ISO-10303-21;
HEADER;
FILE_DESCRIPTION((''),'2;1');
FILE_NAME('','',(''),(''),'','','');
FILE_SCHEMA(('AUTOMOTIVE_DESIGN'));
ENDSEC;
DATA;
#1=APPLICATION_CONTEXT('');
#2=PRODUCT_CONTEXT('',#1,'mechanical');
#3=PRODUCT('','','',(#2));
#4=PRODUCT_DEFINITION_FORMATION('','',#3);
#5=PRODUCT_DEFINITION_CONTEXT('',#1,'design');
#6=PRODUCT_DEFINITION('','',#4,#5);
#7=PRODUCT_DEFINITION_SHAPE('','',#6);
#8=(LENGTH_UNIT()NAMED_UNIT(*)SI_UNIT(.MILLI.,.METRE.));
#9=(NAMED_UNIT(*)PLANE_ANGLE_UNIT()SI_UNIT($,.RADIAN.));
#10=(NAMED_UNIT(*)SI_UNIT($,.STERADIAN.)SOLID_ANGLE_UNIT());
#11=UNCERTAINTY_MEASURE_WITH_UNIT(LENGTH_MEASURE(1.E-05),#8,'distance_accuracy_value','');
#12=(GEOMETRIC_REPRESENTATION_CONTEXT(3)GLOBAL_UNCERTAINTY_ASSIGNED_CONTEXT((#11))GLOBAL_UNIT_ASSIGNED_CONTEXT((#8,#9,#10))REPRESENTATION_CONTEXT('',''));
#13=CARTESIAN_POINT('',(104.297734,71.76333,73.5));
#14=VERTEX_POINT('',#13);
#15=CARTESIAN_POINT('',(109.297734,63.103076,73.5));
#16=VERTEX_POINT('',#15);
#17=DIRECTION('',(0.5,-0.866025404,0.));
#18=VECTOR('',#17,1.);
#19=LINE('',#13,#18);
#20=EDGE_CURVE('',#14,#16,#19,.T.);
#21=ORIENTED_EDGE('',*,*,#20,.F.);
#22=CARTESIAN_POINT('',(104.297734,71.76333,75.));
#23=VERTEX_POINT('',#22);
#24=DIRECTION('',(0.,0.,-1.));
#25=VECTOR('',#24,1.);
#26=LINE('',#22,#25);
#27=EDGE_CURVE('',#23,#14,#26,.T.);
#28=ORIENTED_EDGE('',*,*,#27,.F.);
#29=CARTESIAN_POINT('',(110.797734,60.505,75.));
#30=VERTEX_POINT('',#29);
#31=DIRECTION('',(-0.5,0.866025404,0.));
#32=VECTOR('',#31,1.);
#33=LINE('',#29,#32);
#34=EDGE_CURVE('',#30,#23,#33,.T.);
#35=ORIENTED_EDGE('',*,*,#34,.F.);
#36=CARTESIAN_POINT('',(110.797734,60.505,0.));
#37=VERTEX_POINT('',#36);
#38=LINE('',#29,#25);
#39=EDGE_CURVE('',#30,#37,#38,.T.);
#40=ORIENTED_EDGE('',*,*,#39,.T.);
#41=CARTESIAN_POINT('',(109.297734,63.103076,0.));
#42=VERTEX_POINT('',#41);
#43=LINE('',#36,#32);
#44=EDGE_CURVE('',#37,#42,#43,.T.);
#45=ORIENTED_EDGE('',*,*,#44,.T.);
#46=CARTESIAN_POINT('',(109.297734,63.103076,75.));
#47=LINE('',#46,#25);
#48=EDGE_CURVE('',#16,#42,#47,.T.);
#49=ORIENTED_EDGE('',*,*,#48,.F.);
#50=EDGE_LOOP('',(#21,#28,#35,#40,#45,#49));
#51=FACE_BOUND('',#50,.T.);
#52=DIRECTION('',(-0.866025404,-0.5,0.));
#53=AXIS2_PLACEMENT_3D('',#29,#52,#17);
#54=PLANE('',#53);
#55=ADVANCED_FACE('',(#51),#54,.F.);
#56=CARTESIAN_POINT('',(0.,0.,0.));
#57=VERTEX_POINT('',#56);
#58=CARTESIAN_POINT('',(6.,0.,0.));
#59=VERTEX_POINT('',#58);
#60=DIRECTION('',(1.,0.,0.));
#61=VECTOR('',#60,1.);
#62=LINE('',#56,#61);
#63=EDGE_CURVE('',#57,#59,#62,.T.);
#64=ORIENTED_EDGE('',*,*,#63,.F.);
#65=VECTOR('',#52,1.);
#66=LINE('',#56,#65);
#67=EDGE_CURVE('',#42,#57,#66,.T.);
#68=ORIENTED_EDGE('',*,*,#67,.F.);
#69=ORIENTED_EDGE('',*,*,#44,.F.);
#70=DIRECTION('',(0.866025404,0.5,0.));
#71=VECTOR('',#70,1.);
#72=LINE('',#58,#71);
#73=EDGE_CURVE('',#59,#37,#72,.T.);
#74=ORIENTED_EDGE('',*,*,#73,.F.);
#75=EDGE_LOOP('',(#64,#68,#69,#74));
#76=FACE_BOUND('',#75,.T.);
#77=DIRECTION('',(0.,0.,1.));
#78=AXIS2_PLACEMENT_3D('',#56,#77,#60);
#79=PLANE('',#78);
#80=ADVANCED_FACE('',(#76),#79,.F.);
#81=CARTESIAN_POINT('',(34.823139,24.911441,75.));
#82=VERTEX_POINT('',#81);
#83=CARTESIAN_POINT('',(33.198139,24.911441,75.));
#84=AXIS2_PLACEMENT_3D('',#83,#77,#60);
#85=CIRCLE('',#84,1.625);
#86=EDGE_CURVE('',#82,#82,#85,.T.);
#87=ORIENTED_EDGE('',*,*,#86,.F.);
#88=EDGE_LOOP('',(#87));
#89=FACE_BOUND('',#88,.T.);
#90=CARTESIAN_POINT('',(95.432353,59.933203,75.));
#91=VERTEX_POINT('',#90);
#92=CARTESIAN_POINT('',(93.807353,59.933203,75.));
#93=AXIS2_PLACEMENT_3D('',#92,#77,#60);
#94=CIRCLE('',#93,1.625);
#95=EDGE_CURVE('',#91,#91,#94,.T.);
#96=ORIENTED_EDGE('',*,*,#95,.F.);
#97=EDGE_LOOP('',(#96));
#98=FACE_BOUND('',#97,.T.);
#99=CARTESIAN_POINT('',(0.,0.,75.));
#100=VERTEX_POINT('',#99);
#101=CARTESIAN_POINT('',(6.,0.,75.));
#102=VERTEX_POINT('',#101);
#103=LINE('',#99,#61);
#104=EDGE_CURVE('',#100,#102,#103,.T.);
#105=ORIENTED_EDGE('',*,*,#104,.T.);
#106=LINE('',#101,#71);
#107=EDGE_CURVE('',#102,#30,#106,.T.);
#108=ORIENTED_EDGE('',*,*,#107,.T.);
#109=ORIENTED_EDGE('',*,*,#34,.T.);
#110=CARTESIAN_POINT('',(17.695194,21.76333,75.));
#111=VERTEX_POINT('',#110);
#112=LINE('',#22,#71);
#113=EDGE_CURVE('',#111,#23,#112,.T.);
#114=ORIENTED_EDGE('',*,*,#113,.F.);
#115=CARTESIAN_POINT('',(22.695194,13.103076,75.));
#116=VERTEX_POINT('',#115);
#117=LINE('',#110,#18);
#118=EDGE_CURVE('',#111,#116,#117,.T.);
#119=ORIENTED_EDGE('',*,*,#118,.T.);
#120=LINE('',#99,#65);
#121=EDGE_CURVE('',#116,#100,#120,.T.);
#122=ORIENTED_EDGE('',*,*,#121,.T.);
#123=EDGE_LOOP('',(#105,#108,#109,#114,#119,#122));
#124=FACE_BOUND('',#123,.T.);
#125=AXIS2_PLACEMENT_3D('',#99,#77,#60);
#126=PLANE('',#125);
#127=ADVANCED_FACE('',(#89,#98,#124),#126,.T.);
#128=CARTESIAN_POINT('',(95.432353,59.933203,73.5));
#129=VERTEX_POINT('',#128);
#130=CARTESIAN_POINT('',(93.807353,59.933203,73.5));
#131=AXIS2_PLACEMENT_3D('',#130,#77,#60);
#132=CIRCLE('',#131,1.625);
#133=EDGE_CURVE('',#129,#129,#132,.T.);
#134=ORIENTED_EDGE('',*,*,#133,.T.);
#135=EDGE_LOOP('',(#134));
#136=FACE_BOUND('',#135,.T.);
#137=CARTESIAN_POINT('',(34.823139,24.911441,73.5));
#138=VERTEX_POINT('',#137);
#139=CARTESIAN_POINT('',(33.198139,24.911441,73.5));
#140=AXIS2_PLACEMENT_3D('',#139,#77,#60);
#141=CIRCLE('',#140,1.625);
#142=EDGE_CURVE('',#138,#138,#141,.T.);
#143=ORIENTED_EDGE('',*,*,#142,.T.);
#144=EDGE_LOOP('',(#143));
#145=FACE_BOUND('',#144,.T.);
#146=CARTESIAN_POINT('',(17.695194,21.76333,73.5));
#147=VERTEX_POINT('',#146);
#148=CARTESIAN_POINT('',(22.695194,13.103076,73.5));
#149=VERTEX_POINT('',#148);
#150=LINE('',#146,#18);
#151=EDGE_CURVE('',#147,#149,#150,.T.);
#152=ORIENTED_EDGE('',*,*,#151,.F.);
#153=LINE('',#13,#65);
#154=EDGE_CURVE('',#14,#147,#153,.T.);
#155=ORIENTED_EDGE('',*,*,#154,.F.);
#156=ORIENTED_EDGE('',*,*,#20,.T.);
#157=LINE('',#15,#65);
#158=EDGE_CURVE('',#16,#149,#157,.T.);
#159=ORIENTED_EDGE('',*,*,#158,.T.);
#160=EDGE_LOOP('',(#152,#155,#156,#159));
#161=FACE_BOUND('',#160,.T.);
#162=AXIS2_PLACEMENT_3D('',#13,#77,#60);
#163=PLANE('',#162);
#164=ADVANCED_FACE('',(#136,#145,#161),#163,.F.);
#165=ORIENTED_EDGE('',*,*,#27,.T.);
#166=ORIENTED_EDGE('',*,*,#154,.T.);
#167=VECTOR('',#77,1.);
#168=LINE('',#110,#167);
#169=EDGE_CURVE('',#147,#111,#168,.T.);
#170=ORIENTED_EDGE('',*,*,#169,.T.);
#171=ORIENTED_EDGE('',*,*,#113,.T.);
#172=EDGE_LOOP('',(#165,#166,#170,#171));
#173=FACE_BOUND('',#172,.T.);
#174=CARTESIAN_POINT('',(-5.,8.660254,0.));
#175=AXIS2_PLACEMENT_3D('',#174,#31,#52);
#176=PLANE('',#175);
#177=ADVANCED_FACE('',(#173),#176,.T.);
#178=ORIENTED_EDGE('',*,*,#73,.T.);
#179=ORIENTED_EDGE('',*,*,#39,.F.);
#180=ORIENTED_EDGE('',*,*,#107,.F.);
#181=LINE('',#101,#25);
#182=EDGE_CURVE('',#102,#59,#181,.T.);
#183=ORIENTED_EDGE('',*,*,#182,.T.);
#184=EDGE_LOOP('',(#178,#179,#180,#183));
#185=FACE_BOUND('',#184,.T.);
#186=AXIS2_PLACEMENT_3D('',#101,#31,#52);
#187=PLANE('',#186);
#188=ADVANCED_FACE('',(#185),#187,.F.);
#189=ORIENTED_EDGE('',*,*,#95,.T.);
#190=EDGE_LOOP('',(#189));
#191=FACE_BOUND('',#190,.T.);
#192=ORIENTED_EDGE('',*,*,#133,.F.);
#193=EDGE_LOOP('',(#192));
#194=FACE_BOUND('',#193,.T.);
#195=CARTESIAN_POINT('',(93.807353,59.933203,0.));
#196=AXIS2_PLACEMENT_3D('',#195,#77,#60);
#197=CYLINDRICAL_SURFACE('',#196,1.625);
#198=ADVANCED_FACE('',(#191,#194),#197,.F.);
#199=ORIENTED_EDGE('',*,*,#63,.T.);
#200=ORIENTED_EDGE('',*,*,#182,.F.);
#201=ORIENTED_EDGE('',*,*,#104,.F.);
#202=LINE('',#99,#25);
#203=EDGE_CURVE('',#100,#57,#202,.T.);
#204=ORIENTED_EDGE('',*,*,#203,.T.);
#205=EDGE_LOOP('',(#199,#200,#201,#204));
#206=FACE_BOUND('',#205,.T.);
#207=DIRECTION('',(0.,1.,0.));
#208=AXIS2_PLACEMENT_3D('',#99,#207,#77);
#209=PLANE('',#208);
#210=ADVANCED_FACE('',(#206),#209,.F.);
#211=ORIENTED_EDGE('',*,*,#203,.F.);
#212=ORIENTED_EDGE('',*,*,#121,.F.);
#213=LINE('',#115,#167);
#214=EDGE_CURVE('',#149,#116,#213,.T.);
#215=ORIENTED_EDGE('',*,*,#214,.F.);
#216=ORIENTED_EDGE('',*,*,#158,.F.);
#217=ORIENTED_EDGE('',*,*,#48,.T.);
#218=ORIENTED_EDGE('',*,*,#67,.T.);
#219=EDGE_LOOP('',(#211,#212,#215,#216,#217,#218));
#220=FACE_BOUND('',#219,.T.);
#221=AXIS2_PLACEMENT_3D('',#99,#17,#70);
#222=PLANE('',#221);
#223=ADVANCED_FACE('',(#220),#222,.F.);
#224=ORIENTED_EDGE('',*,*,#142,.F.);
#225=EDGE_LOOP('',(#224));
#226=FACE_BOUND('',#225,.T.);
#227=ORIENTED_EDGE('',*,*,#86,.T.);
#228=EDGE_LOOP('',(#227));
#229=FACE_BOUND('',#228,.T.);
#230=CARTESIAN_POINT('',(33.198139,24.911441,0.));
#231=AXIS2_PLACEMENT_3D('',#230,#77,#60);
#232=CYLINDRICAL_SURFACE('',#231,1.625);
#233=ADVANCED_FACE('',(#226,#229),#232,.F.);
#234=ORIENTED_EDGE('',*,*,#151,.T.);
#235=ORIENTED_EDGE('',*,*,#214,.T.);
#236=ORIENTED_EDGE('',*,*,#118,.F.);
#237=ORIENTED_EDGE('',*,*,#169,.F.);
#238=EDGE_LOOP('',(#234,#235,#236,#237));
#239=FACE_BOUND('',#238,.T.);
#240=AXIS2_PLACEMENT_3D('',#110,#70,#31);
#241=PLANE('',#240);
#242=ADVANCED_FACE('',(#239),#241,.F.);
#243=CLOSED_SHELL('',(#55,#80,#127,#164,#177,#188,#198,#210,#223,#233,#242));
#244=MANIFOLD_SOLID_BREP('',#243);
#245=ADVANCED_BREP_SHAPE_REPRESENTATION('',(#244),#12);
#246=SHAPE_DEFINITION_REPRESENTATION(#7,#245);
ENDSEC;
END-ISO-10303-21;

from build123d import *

# Parameters (mm, degrees)
BOSS_EXTRUDE1_DEPTH = 75
SKETCH2_W           = 100
SKETCH2_H           = 1.5
BOSS_EXTRUDE2_DEPTH = 10
SKETCH3_R           = 1.625
CUT_EXTRUDE1_DEPTH  = 152.825931424


with BuildPart() as part:
    # Sketch1 → Boss-Extrude1 (new body)
    with BuildSketch(Plane.XY):
        Polygon((0, 0), (6, 0), (110.797734112, 60.505), (109.297734112, 63.103076211), align=None)
    extrude(amount=BOSS_EXTRUDE1_DEPTH)

    # Sketch2 → Boss-Extrude2 (add)
    with BuildSketch(Plane(origin=(0, 0, 0), x_dir=(0.866025403784438, 0.5000000000000012, 0), z_dir=(-0.5000000000000011, 0.8660254037844379, 0))):
        with Locations((76.206152423, -74.25)):
            Rectangle(SKETCH2_W, SKETCH2_H)
    extrude(amount=BOSS_EXTRUDE2_DEPTH)

    # Sketch3 → Cut-Extrude1 (cut, through all)
    with BuildSketch(Plane.XY.offset(75)):
        with Locations((33.198138972, 24.911441429)):
            Circle(SKETCH3_R)
        with Locations((93.807353055, 59.93320323)):
            Circle(SKETCH3_R)
    extrude(amount=-CUT_EXTRUDE1_DEPTH, mode=Mode.SUBTRACT)


solid = part.part
